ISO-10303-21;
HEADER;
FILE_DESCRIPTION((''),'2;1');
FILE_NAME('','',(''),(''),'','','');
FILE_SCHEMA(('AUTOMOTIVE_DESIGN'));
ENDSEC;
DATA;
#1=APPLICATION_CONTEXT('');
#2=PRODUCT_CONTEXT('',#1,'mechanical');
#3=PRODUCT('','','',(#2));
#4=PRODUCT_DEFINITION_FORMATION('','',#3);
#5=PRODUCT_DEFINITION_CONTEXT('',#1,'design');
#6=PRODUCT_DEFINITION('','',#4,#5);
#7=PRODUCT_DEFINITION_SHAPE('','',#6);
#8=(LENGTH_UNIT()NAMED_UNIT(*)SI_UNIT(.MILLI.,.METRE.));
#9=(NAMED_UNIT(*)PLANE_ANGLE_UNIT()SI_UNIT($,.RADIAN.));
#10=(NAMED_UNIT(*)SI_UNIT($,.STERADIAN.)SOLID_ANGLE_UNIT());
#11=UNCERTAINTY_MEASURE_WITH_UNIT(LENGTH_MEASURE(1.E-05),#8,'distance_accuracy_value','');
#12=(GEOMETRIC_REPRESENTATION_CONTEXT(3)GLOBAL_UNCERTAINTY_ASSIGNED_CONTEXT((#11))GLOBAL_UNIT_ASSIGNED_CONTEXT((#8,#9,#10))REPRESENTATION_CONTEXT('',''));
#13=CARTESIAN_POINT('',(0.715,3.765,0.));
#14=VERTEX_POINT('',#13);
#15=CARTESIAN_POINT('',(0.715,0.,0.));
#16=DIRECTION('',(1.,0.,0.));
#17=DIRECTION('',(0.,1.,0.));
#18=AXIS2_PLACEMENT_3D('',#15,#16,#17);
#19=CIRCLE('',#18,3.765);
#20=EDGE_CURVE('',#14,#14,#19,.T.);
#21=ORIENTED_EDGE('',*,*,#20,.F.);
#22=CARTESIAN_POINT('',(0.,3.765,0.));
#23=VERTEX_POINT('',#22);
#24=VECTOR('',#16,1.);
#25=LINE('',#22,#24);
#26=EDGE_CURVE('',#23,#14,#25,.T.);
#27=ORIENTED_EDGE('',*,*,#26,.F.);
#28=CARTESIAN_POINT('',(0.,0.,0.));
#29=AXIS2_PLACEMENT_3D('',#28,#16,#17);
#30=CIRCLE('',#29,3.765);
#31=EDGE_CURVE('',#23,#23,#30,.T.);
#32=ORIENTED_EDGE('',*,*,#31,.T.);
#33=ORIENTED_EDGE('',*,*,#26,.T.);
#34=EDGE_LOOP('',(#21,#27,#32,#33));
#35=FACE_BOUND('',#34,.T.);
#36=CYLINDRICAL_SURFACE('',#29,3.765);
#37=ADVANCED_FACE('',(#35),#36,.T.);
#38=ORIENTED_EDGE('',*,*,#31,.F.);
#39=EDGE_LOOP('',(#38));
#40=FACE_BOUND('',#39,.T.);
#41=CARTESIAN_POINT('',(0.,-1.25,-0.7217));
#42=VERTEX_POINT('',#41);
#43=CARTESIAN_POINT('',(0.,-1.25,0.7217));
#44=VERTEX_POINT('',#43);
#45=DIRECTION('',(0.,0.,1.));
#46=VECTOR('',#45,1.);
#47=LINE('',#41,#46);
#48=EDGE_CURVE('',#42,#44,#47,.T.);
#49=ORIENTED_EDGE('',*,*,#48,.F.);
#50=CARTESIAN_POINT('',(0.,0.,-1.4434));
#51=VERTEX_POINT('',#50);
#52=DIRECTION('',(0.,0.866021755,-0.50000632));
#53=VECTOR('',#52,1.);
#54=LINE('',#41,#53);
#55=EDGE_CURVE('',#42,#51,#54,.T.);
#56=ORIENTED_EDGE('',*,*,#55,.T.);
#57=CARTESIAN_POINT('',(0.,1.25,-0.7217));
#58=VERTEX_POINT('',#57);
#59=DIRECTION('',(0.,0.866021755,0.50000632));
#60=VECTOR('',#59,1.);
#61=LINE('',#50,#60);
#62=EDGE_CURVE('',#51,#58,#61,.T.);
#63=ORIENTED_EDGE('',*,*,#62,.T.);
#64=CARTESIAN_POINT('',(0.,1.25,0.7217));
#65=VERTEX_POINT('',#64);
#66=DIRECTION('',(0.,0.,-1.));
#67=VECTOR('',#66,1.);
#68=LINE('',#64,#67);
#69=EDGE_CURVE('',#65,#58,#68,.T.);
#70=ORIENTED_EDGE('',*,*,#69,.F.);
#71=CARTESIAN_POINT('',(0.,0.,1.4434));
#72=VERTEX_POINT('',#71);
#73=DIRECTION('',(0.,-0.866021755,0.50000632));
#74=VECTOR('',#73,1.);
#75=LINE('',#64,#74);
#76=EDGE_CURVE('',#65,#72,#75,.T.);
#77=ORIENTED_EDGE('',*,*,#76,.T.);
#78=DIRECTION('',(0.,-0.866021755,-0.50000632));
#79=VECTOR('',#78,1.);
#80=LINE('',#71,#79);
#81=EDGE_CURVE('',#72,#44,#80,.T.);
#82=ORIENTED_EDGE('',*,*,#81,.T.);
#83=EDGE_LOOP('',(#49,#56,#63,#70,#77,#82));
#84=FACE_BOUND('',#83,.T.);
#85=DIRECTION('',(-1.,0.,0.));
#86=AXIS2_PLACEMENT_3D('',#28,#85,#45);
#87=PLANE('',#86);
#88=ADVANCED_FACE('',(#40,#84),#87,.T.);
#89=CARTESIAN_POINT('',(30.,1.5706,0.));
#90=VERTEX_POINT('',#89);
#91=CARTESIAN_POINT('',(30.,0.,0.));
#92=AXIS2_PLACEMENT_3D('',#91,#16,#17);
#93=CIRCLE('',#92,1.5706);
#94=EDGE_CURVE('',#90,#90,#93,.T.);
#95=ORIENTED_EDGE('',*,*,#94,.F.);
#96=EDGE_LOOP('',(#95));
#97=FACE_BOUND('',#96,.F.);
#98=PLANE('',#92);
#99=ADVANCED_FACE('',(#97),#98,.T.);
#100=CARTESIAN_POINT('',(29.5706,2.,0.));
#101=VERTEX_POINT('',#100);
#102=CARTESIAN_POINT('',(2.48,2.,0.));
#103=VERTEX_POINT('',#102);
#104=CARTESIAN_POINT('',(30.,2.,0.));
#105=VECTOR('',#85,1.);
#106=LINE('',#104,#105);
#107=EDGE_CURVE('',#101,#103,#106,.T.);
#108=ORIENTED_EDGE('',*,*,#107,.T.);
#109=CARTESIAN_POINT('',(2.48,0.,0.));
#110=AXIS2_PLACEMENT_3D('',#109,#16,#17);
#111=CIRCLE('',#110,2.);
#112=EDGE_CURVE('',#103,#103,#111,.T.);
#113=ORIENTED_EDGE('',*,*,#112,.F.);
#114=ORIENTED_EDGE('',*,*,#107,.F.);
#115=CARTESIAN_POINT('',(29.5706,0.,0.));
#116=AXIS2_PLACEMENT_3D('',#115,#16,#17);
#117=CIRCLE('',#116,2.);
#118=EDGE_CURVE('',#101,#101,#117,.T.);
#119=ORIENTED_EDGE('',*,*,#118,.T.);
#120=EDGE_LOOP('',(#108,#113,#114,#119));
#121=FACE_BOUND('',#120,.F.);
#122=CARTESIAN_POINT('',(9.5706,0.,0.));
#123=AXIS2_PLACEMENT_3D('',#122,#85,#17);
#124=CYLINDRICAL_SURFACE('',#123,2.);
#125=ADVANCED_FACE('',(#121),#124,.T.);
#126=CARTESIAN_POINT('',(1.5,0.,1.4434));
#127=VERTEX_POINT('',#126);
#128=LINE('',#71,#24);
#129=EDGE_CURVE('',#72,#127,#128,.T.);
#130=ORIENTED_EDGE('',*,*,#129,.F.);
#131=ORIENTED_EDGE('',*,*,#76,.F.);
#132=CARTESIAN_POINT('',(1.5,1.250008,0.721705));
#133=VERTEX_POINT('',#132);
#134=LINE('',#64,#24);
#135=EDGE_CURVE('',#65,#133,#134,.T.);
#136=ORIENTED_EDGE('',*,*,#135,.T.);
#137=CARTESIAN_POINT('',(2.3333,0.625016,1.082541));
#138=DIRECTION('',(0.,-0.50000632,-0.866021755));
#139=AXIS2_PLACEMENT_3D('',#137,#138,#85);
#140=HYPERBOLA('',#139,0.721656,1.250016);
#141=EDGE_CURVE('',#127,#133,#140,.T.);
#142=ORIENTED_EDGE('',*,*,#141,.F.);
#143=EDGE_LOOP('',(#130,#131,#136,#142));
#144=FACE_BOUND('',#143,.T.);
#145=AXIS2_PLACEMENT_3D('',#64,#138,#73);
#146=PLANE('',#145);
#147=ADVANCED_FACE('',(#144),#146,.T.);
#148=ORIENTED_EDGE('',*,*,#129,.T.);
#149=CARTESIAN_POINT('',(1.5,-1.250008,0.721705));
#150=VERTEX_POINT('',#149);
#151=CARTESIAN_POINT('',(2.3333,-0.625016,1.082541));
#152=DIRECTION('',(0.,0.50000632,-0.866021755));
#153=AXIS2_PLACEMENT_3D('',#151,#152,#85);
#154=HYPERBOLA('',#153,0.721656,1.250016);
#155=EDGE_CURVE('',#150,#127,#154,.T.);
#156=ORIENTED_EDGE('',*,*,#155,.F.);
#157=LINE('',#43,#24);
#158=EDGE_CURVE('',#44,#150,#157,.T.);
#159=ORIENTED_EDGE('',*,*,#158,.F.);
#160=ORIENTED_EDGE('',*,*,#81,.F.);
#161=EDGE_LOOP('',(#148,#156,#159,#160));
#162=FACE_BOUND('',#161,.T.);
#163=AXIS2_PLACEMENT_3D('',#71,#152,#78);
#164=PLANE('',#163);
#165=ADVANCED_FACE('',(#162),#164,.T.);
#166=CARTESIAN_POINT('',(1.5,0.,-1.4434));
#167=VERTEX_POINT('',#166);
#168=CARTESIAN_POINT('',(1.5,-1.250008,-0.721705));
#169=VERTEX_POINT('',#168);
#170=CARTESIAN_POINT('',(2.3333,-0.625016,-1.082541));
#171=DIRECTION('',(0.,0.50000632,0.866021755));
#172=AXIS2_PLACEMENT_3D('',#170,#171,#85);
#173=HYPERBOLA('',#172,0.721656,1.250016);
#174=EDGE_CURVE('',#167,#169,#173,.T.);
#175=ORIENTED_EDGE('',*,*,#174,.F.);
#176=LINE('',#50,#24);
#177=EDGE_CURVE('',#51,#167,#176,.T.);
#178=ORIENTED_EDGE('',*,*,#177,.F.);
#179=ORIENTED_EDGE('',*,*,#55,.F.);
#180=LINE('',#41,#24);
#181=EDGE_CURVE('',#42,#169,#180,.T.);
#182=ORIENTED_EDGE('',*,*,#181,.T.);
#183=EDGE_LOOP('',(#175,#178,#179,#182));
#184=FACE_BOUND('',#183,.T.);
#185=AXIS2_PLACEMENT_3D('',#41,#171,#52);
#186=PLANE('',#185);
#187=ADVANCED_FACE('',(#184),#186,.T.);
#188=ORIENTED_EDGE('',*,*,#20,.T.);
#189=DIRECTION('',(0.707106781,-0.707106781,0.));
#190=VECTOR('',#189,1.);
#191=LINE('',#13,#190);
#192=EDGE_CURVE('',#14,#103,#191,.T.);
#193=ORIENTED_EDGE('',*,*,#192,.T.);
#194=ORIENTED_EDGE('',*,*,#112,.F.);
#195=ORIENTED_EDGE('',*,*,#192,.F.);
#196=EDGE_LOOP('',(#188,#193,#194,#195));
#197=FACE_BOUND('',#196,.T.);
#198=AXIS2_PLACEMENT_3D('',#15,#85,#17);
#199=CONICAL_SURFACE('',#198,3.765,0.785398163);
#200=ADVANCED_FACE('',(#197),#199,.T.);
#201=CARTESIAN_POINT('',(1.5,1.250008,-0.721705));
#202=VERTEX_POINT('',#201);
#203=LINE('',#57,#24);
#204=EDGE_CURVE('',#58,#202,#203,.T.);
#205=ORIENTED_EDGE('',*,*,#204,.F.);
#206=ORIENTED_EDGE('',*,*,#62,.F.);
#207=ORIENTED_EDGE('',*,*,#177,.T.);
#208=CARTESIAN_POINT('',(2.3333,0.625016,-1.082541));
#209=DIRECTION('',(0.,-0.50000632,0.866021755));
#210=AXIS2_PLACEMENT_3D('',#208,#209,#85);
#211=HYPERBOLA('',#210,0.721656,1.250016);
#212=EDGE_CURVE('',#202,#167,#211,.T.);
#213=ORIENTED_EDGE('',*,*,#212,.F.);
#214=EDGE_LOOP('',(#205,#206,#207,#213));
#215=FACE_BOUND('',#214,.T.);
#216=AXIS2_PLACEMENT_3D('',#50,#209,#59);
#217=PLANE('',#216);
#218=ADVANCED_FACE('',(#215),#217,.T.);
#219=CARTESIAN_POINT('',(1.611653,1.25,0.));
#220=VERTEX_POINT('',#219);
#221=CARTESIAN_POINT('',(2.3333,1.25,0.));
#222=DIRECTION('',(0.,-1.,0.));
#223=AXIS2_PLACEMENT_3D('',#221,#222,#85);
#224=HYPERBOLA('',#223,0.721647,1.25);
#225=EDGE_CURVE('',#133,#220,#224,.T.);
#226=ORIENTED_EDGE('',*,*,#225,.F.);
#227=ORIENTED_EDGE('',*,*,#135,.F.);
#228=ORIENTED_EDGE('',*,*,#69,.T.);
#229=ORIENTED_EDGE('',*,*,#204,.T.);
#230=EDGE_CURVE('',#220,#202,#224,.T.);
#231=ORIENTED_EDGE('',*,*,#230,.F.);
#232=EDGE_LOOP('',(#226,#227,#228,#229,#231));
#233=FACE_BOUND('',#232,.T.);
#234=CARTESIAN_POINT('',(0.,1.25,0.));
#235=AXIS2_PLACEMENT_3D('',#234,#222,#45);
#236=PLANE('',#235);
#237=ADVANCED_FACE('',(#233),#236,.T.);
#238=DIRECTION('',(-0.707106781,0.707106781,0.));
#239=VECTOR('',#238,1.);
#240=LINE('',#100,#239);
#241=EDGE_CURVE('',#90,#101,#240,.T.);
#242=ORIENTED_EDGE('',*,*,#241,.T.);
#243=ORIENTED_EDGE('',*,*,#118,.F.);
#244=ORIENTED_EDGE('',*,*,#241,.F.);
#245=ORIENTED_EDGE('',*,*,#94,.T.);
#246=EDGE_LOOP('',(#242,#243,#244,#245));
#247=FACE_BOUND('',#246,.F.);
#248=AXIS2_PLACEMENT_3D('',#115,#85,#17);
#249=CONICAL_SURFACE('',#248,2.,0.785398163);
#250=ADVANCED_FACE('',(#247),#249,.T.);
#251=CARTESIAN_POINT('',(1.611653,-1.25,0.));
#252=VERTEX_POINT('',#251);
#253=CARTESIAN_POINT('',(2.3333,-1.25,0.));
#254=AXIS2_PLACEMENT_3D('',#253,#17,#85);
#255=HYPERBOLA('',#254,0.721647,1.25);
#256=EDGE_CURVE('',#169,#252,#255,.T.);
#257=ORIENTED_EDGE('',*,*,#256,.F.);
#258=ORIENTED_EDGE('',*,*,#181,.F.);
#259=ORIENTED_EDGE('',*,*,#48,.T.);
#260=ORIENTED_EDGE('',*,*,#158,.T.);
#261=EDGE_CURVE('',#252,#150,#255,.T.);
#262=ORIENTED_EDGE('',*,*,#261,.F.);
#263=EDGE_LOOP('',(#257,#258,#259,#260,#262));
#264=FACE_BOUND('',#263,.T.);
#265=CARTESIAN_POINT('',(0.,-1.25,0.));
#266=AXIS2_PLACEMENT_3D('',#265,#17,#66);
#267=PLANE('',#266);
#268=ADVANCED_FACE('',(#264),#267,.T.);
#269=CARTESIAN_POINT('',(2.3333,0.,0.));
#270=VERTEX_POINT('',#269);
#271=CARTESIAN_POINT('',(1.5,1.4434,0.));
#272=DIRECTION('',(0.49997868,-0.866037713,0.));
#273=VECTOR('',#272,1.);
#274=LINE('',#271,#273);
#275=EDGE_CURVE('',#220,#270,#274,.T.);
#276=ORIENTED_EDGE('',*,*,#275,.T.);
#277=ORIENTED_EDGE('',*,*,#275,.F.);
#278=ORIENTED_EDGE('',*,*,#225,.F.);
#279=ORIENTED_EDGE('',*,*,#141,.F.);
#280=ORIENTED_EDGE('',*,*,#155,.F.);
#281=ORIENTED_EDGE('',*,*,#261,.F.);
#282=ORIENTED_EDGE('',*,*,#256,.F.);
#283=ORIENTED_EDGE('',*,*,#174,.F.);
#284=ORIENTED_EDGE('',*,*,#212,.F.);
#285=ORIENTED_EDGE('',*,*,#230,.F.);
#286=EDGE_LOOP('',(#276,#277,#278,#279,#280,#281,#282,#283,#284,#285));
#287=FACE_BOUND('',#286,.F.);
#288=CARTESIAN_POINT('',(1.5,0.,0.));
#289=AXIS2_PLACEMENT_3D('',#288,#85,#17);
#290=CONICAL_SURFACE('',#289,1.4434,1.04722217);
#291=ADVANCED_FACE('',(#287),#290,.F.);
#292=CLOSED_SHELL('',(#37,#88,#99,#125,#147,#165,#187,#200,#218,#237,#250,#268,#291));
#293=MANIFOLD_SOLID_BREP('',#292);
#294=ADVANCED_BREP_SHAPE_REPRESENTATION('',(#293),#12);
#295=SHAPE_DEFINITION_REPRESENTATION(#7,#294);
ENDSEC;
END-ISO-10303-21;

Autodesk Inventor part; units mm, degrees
ref_plane "YZ Plane" through (0, 0, 0) normal (1, 0, 0) x (0, 1, 0)
ref_plane "XZ Plane" through (0, 0, 0) normal (0, 1, 0) x (-1, 0, 0)
sketch "Sketch1" plane through (0, 0, 0) normal (0, 0, 1) x (1, 0, 0)
  line L0 (30, 0) -> (30, 2)
  line L1 (30, 2) -> (10, 2)
  line L2 (10, 2) -> (9.5706, 2)
  line L3 (0, 3.765) -> (0, 1.4434)
  line L4 (0, 1.4434) -> (1.5, 1.4434)
  line L5 (1.5, 1.4434) -> (2.3333, 0)
  line L6 (2.3333, 0) -> (30, 0)
  line L7 (0, 3.765) -> (0.715, 3.765)
  line L8 (0.715, 3.765) -> (2.48, 2)
  line L9 (9.5706, 2) -> (2.48, 2)
  line L10 (10, 2) -> (2.48, 2) construction
  line L11 (2.48, 2) -> (2.48, 2)
  line L12 (-6, 0) -> (36, 0) projected
  line L13 (0, -0.753) -> (0, 4.518) projected
  dimension "d0" = 30
  dimension "d1" = 20
  dimension "d2" = 1.5
  dimension "d3" = 4
  dimension "d6" = 2.48
  dimension "d7" = 45
  dimension "d8" = 2.8868
  dimension "d9" = 60
  dimension "d10" = 7.53
  dimension "d11" = 4
  dimension "d12" = 0.4294
revolve "Body" add sketch "Sketch1" angle 360 about axis through (2.3333, 0, 0) along (1, 0, 0) contours L6 L5 L4 L3 L7 L8 L9 L2 L1 L0
sketch "Sketch2" plane through (0, 0, 0) normal (-1, 0, 0) x (0, 0, 1)
  circle A0 centre (0, 0) radius 1.4434 projected
  line L0 (0, -5.271) -> (0, 5.271) projected
  line L1 (-5.271, 0) -> (5.271, 0) projected
  line L2 (1.4434, 0) -> (0.7217, -1.25)
  line L3 (0.7217, -1.25) -> (-0.7217, -1.25)
  line L4 (-0.7217, -1.25) -> (-1.4434, 0)
  line L5 (-1.4434, 0) -> (-0.7217, 1.25)
  line L6 (-0.7217, 1.25) -> (0.7217, 1.25)
  line L7 (0.7217, 1.25) -> (1.4434, 0)
  point P0 (0, 1.4434)
extrude "Slot" add sketch "Sketch2" against normal up to next contours L7 A0 | A0 L2 | L6 L0 A0 | A0 L0 L3 | L0 L6 A0 | A0 L3 L0 | L4 A0 | A0 L5
thread "Thread" size "M4x0.7" class "6g" standard "ISO Metric profile" length 20
chamfer "Chamfer1" distance 0.4294 distance2 0.4294 1 edges at (30, -2, 0) measured on face at (30, -0.4796, 0.6016)
ref_plane "Work Plane1" through (104.775, 0, 0) normal (0, 0, -1) x (1, 0, 0)
equation "\"d15\" = GEL"
equation "\"d17\" = -0.5 * SPD + 0.5 * GD"
equation "\"d18\" = GUL"
equation "\"d0\" = NLG"
equation "\"d1\" = GEL"
equation "\"d2\" = INTI"
equation "\"d3\" = GD"
equation "\"d6\" = KOH"
equation "\"d7\" = 0.5 * SEWI"
equation "\"d8\" = 1.1547 * SW"
equation "\"d10\" = KOD"
equation "\"d11\" = BDM"
equation "\"d12\" = GAL"
equation "\"NLG\" = 30"
equation "\"INTI\" = 1.5"
equation "\"GEL\" = 20"
equation "\"GAL\" = 0.61345 * PTC"
equation "\"KOH\" = 2.48"
equation "\"KOD\" = 7.53"
equation "\"GUL\" = 0.61345 * PTC"
equation "\"SPD\" = NND - 1.2269 * PTC"
equation "\"BDM\" = NND"
equation "\"GD\" = NND"
equation "\"SEWI\" = 90deg"
equation "\"SW\" = 2.5"
equation "\"TOA\" = 30deg"
equation "\"GD1\" = THREADDIA - 1.2269 * PTC"
equation "\"EPV\" = 4.48"
equation "\"THREADDIA\" = 4"
equation "\"PTC\" = 0.7"
equation "\"NND\" = 4"
equation "\"E0\" = 1.155 * SW"
properties part number "DIN 7991 - M4  x  30" material "Steel, Mild"
